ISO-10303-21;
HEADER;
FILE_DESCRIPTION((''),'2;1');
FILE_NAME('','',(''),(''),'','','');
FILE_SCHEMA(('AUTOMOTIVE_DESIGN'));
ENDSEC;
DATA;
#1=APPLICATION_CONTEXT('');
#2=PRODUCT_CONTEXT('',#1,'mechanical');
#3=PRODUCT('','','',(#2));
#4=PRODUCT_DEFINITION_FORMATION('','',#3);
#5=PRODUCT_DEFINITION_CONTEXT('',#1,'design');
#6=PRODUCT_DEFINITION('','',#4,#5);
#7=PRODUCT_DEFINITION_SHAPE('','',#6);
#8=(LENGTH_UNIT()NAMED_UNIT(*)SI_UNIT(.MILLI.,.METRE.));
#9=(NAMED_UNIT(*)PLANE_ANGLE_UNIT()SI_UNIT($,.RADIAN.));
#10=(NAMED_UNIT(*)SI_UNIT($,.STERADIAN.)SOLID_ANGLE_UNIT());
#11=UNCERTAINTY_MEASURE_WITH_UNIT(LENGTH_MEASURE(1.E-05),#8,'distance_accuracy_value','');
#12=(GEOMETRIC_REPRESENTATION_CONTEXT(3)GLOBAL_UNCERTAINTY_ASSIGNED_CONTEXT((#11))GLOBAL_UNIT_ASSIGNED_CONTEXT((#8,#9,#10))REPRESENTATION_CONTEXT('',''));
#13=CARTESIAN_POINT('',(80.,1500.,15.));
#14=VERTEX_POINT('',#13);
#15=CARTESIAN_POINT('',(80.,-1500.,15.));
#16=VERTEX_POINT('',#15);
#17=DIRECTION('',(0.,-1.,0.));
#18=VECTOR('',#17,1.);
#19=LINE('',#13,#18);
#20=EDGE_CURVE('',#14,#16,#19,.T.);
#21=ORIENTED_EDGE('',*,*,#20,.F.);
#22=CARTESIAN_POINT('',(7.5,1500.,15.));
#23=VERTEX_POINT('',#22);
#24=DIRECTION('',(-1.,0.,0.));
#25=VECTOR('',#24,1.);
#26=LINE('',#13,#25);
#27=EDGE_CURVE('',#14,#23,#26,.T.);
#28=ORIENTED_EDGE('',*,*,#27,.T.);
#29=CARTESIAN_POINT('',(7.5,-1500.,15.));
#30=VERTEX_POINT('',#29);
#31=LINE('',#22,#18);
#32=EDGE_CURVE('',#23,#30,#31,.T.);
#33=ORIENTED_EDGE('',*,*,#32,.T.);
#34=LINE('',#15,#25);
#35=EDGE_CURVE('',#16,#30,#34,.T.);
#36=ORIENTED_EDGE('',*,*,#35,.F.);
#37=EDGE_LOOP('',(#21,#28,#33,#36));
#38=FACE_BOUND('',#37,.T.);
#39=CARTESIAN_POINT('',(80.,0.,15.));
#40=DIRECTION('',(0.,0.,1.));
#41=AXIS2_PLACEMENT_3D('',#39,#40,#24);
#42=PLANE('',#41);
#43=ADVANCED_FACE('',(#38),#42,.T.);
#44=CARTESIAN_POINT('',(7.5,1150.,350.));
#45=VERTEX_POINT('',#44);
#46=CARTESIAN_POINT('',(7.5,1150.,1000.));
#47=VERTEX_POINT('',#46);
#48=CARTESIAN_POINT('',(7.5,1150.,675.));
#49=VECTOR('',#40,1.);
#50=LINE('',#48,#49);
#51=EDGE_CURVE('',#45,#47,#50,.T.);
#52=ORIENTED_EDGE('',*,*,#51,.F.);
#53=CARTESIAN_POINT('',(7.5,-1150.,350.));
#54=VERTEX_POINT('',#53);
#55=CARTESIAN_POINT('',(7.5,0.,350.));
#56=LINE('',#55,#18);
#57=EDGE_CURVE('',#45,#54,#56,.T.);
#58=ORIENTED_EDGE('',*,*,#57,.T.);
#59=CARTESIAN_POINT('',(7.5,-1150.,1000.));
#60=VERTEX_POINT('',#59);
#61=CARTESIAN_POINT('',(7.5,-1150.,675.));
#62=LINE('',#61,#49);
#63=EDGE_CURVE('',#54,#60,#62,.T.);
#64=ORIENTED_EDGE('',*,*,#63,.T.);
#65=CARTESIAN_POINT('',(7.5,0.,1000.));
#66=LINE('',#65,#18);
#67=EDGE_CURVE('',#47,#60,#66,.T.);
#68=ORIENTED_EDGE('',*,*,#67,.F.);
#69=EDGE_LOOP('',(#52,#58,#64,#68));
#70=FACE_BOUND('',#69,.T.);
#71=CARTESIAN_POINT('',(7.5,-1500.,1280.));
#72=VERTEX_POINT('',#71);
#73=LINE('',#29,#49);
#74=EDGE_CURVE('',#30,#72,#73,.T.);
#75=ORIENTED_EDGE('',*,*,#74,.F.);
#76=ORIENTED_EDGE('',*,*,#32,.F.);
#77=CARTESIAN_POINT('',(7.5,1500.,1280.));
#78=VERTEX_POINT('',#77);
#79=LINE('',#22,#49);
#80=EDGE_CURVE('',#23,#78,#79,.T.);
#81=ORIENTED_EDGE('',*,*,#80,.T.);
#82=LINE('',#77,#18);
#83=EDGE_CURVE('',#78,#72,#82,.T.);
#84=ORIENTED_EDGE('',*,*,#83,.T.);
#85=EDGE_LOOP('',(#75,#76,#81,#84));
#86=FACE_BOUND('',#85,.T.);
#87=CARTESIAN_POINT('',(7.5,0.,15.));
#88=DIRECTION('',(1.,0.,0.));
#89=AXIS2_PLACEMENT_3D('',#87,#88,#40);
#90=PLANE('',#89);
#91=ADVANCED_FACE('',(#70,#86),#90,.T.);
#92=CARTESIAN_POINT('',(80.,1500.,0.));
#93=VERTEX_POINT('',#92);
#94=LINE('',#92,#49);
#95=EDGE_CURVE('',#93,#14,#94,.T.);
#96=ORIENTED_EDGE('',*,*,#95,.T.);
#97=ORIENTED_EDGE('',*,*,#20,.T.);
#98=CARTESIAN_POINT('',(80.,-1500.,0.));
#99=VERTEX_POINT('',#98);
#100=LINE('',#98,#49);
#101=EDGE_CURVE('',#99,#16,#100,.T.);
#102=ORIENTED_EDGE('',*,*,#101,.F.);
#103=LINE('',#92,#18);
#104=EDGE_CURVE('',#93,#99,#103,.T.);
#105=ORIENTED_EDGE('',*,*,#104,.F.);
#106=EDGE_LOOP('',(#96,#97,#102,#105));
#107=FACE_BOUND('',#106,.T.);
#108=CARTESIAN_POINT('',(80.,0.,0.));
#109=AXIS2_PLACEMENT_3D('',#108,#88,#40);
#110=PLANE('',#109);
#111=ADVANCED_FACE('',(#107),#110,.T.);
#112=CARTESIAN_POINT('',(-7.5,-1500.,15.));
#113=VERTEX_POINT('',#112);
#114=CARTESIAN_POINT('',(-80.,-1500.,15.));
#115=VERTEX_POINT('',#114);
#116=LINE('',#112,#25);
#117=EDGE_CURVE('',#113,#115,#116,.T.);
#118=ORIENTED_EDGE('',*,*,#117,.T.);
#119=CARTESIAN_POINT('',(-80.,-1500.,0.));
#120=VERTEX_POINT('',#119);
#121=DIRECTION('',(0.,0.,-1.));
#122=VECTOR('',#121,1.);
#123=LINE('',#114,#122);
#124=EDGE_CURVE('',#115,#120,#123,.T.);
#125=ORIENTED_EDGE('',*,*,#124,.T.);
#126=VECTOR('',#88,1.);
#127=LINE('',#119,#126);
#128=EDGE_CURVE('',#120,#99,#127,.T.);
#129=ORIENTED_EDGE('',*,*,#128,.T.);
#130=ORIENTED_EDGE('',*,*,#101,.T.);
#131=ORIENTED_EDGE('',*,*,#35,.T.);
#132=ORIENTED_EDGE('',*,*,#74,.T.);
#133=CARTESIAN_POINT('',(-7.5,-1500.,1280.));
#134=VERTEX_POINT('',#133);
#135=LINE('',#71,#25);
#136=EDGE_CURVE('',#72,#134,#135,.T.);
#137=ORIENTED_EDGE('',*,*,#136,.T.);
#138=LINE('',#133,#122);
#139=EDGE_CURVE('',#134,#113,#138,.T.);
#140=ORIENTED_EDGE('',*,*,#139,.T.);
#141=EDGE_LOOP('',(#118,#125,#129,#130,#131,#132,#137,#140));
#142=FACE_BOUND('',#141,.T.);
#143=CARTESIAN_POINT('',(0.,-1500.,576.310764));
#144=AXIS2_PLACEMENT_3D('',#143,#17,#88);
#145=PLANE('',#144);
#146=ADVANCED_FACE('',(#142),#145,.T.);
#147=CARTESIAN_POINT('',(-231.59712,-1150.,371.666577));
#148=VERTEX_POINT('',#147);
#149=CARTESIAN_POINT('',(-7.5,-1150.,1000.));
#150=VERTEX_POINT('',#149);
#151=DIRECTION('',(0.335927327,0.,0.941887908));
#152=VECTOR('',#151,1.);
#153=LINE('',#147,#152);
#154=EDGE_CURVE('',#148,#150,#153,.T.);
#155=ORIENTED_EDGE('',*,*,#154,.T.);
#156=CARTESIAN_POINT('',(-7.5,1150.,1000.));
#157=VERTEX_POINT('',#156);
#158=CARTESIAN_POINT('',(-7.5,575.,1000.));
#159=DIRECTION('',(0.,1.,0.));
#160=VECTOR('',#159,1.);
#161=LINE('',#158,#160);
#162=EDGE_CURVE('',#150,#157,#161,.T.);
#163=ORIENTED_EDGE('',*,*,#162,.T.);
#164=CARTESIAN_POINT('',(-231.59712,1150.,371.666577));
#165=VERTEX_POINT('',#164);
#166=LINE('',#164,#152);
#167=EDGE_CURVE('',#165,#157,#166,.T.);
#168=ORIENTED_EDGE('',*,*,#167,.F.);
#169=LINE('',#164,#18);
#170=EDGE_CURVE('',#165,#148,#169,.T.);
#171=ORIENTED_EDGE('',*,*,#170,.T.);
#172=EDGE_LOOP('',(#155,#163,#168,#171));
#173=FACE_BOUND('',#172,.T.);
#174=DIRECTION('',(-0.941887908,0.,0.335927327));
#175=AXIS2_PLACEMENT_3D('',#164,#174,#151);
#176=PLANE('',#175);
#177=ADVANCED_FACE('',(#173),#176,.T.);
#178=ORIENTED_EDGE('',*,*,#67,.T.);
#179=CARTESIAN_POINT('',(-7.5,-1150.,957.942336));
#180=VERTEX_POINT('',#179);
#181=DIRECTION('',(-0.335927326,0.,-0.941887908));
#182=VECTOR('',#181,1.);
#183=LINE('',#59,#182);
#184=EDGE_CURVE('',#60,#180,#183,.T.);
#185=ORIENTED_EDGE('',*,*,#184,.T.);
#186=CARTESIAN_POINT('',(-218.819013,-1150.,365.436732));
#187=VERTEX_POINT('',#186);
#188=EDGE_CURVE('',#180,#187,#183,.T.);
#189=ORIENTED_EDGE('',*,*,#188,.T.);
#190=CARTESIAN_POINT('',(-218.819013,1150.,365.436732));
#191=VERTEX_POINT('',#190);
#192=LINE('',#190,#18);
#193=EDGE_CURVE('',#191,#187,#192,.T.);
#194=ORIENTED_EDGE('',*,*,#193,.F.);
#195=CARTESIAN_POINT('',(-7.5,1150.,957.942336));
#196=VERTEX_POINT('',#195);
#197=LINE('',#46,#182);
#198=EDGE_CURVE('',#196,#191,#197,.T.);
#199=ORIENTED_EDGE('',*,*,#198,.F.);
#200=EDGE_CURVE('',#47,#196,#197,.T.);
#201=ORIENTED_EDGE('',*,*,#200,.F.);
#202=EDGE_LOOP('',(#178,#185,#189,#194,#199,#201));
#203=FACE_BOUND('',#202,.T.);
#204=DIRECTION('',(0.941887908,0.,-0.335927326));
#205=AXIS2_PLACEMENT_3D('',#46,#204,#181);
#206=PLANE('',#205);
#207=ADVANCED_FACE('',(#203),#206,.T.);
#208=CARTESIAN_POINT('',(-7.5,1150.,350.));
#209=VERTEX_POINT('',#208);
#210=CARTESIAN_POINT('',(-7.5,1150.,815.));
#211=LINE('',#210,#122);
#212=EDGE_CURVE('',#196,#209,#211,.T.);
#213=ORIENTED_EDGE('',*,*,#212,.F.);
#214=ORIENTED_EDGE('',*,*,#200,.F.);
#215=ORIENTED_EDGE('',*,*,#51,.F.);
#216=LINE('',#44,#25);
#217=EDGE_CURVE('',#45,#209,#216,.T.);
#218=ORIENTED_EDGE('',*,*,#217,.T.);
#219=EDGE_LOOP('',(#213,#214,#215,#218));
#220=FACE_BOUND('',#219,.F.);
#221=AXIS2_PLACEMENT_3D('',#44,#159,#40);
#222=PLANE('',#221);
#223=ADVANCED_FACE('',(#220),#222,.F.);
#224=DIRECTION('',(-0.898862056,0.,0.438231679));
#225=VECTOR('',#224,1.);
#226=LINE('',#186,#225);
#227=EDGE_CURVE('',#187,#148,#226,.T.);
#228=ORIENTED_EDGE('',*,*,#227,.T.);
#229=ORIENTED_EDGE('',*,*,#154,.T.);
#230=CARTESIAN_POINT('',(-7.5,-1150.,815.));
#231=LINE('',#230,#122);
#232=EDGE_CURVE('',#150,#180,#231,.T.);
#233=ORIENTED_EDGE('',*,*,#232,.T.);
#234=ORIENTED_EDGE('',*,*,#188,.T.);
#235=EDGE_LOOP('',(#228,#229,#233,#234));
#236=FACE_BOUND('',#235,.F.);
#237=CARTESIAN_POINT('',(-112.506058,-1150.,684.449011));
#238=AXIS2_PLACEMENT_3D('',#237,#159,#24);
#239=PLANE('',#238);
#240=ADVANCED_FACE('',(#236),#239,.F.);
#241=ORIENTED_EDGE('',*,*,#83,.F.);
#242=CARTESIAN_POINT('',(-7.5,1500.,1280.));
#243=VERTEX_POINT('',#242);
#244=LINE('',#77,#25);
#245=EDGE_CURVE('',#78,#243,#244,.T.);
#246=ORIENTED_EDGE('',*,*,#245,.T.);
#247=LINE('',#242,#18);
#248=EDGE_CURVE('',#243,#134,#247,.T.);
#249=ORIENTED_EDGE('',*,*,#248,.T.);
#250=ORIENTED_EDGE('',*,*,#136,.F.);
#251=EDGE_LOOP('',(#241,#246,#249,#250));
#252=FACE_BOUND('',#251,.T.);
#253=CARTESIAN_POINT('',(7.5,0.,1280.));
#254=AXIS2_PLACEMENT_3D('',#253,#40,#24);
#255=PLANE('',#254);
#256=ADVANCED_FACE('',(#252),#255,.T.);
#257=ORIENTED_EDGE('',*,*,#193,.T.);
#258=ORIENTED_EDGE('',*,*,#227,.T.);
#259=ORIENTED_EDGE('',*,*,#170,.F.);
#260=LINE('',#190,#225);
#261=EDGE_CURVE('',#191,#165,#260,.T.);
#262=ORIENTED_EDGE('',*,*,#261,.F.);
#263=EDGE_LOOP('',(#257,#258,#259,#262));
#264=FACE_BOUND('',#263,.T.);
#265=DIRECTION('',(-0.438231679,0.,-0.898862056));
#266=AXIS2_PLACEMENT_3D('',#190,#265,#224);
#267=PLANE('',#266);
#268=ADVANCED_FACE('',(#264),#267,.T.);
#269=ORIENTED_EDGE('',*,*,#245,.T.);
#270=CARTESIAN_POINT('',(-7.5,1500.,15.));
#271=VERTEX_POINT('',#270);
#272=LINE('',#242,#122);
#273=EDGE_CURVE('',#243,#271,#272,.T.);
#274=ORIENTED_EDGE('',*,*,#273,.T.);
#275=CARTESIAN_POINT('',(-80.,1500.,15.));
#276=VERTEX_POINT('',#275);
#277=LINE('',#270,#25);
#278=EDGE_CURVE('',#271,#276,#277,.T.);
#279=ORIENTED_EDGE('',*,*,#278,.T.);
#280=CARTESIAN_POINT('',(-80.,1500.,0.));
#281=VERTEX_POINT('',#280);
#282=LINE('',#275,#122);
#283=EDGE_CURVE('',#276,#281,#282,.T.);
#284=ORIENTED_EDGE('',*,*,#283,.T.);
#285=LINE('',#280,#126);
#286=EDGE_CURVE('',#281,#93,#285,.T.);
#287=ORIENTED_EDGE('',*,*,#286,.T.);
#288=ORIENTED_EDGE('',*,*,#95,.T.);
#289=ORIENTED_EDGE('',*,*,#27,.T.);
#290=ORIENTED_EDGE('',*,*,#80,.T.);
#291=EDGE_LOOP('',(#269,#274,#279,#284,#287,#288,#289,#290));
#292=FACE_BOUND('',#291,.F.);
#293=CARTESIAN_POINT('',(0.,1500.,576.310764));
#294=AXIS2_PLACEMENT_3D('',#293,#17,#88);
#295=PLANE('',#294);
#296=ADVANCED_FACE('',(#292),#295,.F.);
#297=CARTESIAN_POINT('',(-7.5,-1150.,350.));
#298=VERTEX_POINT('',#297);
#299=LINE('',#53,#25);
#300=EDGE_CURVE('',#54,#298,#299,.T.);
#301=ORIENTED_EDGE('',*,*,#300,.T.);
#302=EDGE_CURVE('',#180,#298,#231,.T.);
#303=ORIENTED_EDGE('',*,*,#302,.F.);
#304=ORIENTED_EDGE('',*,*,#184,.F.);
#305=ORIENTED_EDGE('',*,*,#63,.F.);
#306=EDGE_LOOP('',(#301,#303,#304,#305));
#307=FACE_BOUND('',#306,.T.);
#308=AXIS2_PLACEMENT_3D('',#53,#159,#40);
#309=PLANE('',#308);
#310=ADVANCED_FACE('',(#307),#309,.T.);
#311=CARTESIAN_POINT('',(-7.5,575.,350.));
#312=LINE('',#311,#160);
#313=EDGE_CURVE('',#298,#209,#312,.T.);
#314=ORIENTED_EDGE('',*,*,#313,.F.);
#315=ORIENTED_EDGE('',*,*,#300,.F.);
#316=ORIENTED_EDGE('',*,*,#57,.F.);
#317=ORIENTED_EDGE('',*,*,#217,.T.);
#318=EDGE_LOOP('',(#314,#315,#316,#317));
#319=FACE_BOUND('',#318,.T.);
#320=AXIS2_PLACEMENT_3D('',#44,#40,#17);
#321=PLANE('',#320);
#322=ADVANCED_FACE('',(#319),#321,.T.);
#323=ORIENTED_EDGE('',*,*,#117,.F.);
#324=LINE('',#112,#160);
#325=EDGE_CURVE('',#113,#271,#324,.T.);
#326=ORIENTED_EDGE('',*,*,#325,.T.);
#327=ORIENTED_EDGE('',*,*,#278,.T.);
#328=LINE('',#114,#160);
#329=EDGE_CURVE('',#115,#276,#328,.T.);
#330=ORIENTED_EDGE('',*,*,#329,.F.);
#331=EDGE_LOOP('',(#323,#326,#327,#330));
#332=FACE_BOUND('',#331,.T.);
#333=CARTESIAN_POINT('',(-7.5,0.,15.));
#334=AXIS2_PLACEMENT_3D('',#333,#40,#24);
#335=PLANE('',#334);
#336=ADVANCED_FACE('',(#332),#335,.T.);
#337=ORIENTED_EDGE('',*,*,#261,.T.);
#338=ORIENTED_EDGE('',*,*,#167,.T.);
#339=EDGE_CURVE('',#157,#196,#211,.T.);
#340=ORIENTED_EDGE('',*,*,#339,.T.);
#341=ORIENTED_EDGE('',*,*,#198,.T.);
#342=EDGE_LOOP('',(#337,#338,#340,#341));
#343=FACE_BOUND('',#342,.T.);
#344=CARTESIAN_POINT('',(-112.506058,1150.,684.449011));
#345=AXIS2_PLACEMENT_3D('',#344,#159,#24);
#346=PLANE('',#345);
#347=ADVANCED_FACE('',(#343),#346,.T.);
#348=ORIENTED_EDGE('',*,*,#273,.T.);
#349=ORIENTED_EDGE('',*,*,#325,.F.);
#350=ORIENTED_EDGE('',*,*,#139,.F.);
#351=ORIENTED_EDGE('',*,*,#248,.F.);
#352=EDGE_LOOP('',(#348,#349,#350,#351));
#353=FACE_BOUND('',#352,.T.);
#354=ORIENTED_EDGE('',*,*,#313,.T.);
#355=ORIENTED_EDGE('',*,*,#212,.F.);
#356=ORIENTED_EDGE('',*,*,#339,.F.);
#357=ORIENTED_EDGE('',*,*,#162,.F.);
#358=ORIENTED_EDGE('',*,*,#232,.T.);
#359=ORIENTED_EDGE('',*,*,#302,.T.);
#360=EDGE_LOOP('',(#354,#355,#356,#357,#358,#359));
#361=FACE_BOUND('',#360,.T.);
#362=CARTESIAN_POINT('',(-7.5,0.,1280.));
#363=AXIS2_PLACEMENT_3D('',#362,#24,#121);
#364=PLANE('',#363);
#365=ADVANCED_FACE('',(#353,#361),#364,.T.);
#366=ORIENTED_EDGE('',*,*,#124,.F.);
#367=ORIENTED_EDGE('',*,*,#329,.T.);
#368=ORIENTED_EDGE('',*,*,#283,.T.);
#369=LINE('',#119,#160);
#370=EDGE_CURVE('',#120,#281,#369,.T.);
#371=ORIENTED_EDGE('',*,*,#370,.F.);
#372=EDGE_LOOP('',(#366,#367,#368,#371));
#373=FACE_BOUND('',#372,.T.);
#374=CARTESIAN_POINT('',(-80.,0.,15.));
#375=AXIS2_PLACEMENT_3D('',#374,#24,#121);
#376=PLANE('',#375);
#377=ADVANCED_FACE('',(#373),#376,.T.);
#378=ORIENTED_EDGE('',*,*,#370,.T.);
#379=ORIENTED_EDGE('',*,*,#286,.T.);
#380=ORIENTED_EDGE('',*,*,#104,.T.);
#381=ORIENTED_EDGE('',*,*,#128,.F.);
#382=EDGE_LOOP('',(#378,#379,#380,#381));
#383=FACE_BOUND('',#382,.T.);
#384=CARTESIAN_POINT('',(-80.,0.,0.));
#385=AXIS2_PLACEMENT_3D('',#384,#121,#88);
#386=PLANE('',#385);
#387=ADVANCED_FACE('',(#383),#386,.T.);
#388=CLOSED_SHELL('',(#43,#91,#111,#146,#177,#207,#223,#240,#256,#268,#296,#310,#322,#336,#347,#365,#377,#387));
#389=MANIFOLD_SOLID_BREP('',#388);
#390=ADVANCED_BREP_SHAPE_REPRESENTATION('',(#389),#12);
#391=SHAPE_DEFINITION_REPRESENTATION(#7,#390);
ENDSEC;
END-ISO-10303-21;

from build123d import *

# Parameters (mm, degrees)
PAD014_DEPTH    = 1500
SKETCH022_W     = 650
SKETCH022_H     = 2300
POCKET005_DEPTH = 87.501
PAD015_DEPTH    = 2300


with BuildPart() as part:
    # Sketch024 → Pad014 (new body, symmetric)
    with BuildSketch(Plane.XZ):
        Polygon((-80, 0), (80, 0), (80, 15), (7.5, 15), (7.5, 1280), (-7.5, 1280), (-7.5, 15), (-80, 15), align=None)
    extrude(amount=PAD014_DEPTH, both=True)

    # Sketch022 (on Face6 of Pad014) → Pocket005 (cut, through all)
    with BuildSketch(Plane(origin=(7.5, 0, 0), x_dir=(0, 0, 1), z_dir=(1, 0, 0))):
        with Locations((675, 0)):
            Rectangle(SKETCH022_W, SKETCH022_H)
    extrude(amount=-POCKET005_DEPTH, mode=Mode.SUBTRACT)

    # Sketch023 (on Face8 of Pocket005) → Pad015 (join)
    with BuildSketch(Plane.XZ.offset(-1150)):
        Polygon((-7.5, 1000), (7.5, 1000), (-218.819013, 365.436732), (-231.59712, 371.666577), align=None)
    extrude(amount=PAD015_DEPTH)


solid = part.part
